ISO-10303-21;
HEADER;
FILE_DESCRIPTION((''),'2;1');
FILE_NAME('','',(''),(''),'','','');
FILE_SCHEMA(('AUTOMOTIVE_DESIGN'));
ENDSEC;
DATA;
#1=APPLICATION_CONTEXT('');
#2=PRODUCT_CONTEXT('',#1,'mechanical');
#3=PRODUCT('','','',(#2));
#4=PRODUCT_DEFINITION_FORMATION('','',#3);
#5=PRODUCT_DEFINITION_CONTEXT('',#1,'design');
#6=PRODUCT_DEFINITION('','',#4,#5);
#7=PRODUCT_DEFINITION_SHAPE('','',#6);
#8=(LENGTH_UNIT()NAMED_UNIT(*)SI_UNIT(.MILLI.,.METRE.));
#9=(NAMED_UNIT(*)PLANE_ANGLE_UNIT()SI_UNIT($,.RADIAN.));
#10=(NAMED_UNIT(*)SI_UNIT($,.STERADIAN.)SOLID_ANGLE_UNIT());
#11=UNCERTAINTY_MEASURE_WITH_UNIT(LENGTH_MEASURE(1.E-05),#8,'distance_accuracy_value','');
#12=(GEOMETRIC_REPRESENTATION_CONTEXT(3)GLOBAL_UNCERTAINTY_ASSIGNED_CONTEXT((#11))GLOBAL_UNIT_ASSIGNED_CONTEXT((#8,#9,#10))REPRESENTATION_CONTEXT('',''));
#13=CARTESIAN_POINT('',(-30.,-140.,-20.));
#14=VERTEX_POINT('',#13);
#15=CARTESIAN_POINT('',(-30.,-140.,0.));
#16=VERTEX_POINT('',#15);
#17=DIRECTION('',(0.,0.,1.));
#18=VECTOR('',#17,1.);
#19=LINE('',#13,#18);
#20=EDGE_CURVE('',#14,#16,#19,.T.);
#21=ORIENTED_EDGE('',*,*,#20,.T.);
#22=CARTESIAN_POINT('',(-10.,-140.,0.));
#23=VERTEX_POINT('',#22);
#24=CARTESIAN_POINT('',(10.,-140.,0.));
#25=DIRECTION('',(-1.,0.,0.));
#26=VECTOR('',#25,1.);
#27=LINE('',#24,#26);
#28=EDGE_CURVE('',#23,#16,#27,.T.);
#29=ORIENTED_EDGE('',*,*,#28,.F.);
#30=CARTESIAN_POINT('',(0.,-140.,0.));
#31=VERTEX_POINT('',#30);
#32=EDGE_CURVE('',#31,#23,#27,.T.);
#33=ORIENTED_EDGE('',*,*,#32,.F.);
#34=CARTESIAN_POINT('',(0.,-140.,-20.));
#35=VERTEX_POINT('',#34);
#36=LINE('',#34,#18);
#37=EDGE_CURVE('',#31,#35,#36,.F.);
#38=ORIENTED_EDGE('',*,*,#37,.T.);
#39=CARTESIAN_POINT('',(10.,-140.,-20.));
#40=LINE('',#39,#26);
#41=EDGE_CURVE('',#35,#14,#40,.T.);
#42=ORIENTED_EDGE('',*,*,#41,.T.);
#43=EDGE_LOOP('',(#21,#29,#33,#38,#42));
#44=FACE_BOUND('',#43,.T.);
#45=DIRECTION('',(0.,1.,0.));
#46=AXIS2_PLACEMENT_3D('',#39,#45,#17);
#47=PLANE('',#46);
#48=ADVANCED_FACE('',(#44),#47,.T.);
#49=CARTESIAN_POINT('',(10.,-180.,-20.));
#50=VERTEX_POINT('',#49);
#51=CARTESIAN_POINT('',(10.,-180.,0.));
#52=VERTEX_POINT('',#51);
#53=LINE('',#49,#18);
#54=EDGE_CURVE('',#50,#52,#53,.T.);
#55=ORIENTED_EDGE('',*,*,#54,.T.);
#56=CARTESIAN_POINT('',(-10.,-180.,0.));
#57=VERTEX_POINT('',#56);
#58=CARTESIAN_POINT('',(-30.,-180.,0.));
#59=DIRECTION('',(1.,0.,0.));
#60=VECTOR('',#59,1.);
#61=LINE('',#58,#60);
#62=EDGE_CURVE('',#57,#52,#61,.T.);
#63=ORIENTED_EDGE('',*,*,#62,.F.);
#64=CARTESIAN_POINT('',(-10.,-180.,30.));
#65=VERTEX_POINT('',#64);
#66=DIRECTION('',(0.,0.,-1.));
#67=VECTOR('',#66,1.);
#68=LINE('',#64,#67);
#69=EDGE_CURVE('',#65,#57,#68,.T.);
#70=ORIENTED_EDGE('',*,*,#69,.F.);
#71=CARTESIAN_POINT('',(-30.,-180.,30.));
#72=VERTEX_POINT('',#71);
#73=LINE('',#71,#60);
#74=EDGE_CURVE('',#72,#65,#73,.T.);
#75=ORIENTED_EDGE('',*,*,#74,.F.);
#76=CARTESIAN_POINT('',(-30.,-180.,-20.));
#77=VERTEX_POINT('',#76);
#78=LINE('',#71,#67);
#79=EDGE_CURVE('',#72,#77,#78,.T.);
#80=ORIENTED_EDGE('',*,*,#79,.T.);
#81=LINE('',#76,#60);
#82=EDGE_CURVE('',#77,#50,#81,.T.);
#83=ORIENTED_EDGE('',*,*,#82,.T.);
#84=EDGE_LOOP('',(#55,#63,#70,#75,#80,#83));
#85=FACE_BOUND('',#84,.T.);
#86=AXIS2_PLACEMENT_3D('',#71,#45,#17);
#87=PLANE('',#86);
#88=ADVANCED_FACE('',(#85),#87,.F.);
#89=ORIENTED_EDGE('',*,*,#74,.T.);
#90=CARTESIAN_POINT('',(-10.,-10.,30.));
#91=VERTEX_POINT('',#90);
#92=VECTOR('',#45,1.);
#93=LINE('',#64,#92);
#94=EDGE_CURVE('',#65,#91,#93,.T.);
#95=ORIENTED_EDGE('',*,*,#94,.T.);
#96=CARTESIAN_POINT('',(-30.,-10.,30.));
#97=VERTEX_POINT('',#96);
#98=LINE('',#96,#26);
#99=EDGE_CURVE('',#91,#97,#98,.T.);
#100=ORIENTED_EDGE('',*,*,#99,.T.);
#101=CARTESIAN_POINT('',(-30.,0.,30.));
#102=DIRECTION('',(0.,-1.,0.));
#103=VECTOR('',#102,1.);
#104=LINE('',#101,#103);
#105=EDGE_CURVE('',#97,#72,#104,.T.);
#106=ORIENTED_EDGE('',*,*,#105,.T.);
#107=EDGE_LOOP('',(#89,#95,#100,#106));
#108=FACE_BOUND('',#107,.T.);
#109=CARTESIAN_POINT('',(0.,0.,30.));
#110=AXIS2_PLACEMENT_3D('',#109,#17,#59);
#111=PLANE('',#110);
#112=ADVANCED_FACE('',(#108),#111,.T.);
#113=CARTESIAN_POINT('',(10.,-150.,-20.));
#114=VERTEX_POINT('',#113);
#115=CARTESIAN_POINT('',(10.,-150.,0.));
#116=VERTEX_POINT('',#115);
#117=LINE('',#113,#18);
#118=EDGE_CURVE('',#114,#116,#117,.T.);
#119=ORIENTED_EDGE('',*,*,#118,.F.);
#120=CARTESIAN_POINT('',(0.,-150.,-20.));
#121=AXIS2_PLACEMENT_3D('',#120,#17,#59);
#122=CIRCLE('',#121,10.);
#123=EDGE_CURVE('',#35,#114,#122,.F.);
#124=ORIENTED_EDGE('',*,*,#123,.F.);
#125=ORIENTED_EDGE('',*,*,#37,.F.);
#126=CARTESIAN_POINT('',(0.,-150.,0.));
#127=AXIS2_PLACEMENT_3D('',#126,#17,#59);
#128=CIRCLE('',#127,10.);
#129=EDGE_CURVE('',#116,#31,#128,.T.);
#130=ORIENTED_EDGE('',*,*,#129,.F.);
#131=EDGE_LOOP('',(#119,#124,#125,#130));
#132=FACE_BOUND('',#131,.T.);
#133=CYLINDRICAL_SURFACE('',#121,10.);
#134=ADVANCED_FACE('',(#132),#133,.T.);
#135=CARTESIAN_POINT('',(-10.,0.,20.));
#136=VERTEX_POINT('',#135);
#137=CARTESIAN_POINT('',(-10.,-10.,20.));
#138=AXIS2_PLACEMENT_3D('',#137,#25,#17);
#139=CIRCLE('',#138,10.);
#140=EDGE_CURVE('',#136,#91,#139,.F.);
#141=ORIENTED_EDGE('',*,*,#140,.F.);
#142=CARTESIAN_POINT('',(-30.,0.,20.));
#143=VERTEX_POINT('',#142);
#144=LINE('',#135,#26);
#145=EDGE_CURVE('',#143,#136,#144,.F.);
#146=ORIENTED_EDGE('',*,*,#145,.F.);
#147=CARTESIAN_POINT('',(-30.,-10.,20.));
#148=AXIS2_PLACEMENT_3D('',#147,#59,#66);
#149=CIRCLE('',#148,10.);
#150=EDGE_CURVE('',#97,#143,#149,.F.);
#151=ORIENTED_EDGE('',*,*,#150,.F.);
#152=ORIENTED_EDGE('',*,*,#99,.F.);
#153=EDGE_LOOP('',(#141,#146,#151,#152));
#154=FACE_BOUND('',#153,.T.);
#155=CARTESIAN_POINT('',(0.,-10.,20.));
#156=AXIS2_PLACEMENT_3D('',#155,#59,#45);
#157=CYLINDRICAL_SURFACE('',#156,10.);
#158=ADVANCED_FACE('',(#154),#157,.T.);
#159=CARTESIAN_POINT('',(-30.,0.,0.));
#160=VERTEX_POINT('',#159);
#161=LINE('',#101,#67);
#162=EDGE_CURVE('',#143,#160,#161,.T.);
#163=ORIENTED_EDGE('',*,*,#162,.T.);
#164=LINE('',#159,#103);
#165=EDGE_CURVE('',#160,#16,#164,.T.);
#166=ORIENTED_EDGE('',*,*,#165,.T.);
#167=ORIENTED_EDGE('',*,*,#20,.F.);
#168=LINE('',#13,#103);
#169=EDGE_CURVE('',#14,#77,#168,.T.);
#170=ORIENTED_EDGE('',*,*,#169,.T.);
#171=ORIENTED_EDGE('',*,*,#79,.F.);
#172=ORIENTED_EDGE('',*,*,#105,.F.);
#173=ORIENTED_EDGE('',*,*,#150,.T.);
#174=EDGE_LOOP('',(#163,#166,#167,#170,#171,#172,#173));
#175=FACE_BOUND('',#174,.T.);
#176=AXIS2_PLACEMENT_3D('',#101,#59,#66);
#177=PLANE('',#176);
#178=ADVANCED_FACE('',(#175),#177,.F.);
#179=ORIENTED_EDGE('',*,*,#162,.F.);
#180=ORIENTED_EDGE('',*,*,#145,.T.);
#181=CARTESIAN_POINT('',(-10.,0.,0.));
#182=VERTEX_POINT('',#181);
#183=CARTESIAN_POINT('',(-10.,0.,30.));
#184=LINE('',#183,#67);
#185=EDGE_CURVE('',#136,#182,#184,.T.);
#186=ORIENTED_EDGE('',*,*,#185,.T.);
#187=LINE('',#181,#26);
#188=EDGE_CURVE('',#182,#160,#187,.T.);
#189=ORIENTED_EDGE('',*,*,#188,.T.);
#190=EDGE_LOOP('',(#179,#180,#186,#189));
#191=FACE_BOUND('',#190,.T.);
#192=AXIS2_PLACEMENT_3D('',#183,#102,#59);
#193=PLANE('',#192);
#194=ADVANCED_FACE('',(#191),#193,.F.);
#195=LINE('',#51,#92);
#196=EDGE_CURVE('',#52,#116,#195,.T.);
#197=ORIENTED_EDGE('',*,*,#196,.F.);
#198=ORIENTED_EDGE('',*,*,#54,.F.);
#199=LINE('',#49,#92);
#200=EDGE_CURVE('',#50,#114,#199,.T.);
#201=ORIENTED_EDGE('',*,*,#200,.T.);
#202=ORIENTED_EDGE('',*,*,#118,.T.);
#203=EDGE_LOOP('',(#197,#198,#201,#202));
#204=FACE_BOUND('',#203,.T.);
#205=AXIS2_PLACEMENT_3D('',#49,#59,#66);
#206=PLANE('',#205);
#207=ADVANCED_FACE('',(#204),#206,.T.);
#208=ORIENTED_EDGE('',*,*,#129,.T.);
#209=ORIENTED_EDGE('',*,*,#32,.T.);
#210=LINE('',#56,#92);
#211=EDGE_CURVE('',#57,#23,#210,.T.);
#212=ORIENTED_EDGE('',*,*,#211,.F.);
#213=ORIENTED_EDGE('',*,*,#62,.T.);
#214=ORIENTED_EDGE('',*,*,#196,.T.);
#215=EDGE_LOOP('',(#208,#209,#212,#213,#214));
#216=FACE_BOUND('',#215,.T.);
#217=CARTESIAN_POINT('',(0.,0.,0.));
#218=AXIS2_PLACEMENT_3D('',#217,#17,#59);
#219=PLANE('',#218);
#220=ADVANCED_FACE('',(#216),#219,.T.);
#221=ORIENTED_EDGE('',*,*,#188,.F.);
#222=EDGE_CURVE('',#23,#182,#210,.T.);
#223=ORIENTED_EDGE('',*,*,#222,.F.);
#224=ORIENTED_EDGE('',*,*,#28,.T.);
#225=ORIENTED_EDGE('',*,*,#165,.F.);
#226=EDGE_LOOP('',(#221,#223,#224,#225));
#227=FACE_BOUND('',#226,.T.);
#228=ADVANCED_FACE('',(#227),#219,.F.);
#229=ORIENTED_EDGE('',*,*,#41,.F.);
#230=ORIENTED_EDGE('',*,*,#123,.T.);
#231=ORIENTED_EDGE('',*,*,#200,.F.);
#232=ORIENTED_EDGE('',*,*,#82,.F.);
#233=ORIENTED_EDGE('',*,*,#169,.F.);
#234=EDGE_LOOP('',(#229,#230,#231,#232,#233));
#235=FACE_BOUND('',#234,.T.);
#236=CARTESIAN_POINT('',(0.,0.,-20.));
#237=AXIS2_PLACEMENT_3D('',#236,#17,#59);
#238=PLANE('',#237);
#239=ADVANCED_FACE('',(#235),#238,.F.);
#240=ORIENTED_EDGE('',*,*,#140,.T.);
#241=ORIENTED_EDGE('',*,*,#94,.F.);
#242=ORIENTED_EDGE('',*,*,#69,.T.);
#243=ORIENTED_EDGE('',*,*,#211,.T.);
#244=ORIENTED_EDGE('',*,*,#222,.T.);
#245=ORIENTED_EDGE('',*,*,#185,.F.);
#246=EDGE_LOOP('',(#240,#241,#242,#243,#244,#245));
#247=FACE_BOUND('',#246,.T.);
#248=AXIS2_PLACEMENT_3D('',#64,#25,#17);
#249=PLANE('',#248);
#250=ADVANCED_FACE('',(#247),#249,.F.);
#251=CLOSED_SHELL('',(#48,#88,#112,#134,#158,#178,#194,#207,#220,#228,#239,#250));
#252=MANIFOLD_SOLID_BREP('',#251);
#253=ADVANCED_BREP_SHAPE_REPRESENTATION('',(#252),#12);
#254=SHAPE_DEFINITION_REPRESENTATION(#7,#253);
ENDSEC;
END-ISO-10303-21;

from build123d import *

# Parameters (mm, degrees)
SKETCH1_W           = 20
SKETCH1_H           = 180
BOSS_EXTRUDE1_DEPTH = 30
SKETCH2_W           = 40
SKETCH2_H           = 40
BOSS_EXTRUDE2_DEPTH = 20
FILLET1_R           = 10


with BuildPart() as part:
    # Sketch1 → Boss-Extrude1 (new body)
    with BuildSketch(Plane.XY):
        with Locations((-20, -90)):
            Rectangle(SKETCH1_W, SKETCH1_H)
    extrude(amount=BOSS_EXTRUDE1_DEPTH)

    # Sketch2 → Boss-Extrude2 (add)
    with BuildSketch(Plane.XY):
        with Locations((-10, -160)):
            Rectangle(SKETCH2_W, SKETCH2_H)
    extrude(amount=-BOSS_EXTRUDE2_DEPTH)

    # Fillet1
    fillet1_edges = [part.edges().sort_by_distance(p)[0] for p in [
        (10, -140, -10),
        (-20, 0, 30),
    ]]
    fillet(fillet1_edges, radius=FILLET1_R)


solid = part.part
